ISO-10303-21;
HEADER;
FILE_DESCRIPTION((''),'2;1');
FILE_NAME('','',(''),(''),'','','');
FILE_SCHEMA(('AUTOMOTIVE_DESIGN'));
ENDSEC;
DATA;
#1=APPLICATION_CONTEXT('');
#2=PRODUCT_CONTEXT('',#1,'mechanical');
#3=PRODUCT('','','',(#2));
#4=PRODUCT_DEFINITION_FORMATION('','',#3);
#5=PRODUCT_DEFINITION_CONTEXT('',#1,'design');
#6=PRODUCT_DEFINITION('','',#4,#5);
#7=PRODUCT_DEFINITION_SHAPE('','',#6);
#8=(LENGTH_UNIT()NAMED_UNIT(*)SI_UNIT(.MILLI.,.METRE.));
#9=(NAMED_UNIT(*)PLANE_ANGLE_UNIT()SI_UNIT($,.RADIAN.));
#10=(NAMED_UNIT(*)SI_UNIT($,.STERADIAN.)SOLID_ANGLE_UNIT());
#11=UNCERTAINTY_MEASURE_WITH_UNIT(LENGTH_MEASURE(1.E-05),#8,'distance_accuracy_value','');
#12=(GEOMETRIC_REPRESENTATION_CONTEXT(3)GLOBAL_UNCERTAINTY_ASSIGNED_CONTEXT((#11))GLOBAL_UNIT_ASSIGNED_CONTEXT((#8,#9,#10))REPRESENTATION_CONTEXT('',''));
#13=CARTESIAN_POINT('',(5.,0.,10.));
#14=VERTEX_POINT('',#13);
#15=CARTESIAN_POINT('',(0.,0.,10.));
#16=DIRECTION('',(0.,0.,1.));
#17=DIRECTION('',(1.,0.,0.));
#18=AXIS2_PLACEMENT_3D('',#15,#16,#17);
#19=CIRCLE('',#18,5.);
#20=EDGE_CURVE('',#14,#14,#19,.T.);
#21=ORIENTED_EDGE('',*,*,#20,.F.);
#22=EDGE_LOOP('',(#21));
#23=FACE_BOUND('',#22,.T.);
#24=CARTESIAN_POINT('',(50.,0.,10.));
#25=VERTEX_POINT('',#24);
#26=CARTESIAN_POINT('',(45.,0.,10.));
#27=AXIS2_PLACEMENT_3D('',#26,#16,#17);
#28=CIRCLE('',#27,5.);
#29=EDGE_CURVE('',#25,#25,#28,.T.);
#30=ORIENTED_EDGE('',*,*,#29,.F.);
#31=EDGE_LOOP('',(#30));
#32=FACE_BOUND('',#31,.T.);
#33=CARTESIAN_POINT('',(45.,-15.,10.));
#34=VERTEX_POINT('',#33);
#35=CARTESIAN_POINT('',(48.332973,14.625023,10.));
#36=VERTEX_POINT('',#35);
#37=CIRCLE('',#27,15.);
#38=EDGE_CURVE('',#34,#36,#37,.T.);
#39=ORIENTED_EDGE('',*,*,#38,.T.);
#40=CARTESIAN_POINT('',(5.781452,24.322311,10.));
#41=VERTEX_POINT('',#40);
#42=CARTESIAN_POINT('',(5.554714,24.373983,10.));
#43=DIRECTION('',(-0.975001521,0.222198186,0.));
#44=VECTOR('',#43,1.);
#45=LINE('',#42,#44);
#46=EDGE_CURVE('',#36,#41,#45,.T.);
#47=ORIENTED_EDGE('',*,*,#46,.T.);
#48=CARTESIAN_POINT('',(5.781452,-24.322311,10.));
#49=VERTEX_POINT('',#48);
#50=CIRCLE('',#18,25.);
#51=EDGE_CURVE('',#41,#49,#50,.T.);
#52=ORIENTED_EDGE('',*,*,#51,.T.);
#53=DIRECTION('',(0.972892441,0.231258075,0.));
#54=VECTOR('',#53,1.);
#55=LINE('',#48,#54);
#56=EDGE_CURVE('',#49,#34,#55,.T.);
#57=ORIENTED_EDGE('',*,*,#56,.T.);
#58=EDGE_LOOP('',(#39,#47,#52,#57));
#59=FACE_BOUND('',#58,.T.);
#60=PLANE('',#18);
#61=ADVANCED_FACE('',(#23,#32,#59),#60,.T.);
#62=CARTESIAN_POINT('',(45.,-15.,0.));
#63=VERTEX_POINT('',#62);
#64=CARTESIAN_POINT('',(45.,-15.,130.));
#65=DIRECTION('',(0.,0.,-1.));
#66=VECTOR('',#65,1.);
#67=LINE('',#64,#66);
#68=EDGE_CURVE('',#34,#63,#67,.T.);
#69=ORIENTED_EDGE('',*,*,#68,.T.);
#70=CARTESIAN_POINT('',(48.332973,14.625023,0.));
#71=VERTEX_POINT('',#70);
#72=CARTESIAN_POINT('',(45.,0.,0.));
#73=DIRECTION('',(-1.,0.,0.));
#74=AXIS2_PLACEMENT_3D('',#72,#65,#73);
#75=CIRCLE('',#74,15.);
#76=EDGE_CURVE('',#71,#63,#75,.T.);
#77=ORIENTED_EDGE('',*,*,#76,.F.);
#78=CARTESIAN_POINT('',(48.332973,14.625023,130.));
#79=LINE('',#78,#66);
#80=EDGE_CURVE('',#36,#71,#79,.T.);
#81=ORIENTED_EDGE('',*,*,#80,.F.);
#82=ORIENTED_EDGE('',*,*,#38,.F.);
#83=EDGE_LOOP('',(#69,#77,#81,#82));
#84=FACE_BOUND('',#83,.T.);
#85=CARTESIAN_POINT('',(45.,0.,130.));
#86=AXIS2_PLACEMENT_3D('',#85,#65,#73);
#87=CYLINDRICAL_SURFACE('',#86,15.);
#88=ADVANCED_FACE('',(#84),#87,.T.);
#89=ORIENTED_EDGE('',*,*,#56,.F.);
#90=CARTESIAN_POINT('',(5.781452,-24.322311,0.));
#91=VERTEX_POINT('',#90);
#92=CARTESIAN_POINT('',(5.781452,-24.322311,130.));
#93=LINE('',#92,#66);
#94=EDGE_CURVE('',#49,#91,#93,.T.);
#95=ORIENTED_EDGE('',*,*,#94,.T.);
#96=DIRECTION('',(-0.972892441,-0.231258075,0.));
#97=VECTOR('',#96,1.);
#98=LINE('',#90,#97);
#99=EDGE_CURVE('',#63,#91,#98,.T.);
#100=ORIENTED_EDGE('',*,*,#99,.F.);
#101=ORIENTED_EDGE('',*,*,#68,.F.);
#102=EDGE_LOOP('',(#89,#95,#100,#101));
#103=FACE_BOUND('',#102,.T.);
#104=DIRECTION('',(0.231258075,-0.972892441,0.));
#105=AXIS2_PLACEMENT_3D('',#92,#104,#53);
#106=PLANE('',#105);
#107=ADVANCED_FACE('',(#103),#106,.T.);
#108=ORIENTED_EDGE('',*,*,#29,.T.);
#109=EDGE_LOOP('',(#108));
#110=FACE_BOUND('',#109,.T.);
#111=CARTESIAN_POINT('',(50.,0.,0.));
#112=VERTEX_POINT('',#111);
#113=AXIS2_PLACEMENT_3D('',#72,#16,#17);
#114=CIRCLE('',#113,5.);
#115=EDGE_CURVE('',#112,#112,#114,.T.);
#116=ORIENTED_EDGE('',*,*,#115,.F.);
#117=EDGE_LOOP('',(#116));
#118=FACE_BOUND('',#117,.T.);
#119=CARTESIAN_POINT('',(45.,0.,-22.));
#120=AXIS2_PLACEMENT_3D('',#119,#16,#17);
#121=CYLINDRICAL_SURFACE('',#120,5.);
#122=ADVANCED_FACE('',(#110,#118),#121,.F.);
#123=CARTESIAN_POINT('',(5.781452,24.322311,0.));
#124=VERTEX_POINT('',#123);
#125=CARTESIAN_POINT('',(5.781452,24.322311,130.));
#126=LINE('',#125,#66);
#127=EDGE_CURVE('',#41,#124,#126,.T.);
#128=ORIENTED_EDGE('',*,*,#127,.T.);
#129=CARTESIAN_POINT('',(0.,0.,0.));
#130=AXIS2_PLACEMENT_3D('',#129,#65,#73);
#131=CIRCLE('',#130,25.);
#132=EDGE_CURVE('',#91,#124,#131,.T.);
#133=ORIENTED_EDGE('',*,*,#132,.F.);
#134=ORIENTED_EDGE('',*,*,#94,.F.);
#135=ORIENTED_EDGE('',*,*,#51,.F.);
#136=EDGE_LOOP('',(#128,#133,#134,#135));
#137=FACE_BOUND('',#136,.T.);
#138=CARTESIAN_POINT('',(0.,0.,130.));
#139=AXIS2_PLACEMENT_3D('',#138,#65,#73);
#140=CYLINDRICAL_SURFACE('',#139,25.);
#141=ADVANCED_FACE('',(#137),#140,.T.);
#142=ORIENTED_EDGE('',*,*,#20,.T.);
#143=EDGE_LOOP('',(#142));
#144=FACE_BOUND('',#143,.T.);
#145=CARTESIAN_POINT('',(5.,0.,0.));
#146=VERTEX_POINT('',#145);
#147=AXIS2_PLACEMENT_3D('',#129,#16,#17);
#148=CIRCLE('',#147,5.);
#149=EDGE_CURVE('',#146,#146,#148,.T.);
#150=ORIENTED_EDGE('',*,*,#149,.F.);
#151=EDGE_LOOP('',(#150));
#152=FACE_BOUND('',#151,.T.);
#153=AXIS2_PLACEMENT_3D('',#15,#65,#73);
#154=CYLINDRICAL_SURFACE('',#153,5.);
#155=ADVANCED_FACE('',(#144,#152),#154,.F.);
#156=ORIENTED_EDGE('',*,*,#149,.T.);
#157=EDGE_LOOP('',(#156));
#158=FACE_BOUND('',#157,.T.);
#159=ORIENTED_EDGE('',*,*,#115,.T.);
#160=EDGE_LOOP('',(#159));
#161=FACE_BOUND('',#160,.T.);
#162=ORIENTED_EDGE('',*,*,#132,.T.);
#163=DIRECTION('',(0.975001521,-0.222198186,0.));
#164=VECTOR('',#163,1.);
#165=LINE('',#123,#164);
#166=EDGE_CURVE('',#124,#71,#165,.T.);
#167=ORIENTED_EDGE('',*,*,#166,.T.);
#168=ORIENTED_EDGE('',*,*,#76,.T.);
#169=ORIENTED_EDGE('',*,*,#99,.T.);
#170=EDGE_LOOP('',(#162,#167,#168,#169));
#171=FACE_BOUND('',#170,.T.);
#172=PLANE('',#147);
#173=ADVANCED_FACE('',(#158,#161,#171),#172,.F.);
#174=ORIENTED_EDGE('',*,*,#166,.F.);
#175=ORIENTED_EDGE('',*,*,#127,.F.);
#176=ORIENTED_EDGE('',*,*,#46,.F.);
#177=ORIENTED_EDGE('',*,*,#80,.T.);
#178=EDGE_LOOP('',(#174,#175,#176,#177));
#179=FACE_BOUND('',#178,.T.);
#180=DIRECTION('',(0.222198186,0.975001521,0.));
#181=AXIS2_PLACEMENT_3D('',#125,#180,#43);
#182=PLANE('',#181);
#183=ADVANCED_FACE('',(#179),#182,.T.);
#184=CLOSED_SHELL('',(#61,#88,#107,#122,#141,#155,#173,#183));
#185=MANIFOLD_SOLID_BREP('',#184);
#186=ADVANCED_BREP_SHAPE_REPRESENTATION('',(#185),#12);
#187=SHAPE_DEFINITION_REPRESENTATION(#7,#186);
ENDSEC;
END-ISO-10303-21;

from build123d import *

# Parameters (mm, degrees)
SKETCH2_R           = 60
SKETCH2_R_2         = 5
BOSS_EXTRUDE1_DEPTH = 10
SKETCH3_R           = 5
CUT_EXTRUDE1_DEPTH  = 32
SKETCH4_R           = 81.078971207
CUT_EXTRUDE2_DEPTH  = 130


with BuildPart() as part:
    # Sketch2 → Boss-Extrude1 (new body)
    with BuildSketch(Plane.XY):
        Circle(SKETCH2_R)
        Circle(SKETCH2_R_2, mode=Mode.SUBTRACT)
    extrude(amount=BOSS_EXTRUDE1_DEPTH)

    # Sketch3 → Cut-Extrude1 (cut)
    with BuildSketch(Plane.XY.offset(10)):
        with Locations((45, 0)):
            Circle(SKETCH3_R)
    extrude(amount=-CUT_EXTRUDE1_DEPTH, mode=Mode.SUBTRACT)

    # Sketch4 → Cut-Extrude2 (cut)
    with BuildSketch(Plane(origin=(0, 0, 0), x_dir=(-1, 0, 0), z_dir=(0, 0, -1))):
        Circle(SKETCH4_R)
        with BuildLine():
            Line((-5.781451877, -24.322311037), (-45, -15))
            ThreePointArc((-45, -15), (-59.905960926, -1.676999964), (-48.332972793, 14.625022816))
            Line((-48.332972793, 14.625022816), (-5.781451877, 24.322311037))
            ThreePointArc((-5.781451877, 24.322311037), (25, 0), (-5.781451877, -24.322311037))
        make_face(mode=Mode.SUBTRACT)
    extrude(amount=-CUT_EXTRUDE2_DEPTH, mode=Mode.SUBTRACT)


solid = part.part
